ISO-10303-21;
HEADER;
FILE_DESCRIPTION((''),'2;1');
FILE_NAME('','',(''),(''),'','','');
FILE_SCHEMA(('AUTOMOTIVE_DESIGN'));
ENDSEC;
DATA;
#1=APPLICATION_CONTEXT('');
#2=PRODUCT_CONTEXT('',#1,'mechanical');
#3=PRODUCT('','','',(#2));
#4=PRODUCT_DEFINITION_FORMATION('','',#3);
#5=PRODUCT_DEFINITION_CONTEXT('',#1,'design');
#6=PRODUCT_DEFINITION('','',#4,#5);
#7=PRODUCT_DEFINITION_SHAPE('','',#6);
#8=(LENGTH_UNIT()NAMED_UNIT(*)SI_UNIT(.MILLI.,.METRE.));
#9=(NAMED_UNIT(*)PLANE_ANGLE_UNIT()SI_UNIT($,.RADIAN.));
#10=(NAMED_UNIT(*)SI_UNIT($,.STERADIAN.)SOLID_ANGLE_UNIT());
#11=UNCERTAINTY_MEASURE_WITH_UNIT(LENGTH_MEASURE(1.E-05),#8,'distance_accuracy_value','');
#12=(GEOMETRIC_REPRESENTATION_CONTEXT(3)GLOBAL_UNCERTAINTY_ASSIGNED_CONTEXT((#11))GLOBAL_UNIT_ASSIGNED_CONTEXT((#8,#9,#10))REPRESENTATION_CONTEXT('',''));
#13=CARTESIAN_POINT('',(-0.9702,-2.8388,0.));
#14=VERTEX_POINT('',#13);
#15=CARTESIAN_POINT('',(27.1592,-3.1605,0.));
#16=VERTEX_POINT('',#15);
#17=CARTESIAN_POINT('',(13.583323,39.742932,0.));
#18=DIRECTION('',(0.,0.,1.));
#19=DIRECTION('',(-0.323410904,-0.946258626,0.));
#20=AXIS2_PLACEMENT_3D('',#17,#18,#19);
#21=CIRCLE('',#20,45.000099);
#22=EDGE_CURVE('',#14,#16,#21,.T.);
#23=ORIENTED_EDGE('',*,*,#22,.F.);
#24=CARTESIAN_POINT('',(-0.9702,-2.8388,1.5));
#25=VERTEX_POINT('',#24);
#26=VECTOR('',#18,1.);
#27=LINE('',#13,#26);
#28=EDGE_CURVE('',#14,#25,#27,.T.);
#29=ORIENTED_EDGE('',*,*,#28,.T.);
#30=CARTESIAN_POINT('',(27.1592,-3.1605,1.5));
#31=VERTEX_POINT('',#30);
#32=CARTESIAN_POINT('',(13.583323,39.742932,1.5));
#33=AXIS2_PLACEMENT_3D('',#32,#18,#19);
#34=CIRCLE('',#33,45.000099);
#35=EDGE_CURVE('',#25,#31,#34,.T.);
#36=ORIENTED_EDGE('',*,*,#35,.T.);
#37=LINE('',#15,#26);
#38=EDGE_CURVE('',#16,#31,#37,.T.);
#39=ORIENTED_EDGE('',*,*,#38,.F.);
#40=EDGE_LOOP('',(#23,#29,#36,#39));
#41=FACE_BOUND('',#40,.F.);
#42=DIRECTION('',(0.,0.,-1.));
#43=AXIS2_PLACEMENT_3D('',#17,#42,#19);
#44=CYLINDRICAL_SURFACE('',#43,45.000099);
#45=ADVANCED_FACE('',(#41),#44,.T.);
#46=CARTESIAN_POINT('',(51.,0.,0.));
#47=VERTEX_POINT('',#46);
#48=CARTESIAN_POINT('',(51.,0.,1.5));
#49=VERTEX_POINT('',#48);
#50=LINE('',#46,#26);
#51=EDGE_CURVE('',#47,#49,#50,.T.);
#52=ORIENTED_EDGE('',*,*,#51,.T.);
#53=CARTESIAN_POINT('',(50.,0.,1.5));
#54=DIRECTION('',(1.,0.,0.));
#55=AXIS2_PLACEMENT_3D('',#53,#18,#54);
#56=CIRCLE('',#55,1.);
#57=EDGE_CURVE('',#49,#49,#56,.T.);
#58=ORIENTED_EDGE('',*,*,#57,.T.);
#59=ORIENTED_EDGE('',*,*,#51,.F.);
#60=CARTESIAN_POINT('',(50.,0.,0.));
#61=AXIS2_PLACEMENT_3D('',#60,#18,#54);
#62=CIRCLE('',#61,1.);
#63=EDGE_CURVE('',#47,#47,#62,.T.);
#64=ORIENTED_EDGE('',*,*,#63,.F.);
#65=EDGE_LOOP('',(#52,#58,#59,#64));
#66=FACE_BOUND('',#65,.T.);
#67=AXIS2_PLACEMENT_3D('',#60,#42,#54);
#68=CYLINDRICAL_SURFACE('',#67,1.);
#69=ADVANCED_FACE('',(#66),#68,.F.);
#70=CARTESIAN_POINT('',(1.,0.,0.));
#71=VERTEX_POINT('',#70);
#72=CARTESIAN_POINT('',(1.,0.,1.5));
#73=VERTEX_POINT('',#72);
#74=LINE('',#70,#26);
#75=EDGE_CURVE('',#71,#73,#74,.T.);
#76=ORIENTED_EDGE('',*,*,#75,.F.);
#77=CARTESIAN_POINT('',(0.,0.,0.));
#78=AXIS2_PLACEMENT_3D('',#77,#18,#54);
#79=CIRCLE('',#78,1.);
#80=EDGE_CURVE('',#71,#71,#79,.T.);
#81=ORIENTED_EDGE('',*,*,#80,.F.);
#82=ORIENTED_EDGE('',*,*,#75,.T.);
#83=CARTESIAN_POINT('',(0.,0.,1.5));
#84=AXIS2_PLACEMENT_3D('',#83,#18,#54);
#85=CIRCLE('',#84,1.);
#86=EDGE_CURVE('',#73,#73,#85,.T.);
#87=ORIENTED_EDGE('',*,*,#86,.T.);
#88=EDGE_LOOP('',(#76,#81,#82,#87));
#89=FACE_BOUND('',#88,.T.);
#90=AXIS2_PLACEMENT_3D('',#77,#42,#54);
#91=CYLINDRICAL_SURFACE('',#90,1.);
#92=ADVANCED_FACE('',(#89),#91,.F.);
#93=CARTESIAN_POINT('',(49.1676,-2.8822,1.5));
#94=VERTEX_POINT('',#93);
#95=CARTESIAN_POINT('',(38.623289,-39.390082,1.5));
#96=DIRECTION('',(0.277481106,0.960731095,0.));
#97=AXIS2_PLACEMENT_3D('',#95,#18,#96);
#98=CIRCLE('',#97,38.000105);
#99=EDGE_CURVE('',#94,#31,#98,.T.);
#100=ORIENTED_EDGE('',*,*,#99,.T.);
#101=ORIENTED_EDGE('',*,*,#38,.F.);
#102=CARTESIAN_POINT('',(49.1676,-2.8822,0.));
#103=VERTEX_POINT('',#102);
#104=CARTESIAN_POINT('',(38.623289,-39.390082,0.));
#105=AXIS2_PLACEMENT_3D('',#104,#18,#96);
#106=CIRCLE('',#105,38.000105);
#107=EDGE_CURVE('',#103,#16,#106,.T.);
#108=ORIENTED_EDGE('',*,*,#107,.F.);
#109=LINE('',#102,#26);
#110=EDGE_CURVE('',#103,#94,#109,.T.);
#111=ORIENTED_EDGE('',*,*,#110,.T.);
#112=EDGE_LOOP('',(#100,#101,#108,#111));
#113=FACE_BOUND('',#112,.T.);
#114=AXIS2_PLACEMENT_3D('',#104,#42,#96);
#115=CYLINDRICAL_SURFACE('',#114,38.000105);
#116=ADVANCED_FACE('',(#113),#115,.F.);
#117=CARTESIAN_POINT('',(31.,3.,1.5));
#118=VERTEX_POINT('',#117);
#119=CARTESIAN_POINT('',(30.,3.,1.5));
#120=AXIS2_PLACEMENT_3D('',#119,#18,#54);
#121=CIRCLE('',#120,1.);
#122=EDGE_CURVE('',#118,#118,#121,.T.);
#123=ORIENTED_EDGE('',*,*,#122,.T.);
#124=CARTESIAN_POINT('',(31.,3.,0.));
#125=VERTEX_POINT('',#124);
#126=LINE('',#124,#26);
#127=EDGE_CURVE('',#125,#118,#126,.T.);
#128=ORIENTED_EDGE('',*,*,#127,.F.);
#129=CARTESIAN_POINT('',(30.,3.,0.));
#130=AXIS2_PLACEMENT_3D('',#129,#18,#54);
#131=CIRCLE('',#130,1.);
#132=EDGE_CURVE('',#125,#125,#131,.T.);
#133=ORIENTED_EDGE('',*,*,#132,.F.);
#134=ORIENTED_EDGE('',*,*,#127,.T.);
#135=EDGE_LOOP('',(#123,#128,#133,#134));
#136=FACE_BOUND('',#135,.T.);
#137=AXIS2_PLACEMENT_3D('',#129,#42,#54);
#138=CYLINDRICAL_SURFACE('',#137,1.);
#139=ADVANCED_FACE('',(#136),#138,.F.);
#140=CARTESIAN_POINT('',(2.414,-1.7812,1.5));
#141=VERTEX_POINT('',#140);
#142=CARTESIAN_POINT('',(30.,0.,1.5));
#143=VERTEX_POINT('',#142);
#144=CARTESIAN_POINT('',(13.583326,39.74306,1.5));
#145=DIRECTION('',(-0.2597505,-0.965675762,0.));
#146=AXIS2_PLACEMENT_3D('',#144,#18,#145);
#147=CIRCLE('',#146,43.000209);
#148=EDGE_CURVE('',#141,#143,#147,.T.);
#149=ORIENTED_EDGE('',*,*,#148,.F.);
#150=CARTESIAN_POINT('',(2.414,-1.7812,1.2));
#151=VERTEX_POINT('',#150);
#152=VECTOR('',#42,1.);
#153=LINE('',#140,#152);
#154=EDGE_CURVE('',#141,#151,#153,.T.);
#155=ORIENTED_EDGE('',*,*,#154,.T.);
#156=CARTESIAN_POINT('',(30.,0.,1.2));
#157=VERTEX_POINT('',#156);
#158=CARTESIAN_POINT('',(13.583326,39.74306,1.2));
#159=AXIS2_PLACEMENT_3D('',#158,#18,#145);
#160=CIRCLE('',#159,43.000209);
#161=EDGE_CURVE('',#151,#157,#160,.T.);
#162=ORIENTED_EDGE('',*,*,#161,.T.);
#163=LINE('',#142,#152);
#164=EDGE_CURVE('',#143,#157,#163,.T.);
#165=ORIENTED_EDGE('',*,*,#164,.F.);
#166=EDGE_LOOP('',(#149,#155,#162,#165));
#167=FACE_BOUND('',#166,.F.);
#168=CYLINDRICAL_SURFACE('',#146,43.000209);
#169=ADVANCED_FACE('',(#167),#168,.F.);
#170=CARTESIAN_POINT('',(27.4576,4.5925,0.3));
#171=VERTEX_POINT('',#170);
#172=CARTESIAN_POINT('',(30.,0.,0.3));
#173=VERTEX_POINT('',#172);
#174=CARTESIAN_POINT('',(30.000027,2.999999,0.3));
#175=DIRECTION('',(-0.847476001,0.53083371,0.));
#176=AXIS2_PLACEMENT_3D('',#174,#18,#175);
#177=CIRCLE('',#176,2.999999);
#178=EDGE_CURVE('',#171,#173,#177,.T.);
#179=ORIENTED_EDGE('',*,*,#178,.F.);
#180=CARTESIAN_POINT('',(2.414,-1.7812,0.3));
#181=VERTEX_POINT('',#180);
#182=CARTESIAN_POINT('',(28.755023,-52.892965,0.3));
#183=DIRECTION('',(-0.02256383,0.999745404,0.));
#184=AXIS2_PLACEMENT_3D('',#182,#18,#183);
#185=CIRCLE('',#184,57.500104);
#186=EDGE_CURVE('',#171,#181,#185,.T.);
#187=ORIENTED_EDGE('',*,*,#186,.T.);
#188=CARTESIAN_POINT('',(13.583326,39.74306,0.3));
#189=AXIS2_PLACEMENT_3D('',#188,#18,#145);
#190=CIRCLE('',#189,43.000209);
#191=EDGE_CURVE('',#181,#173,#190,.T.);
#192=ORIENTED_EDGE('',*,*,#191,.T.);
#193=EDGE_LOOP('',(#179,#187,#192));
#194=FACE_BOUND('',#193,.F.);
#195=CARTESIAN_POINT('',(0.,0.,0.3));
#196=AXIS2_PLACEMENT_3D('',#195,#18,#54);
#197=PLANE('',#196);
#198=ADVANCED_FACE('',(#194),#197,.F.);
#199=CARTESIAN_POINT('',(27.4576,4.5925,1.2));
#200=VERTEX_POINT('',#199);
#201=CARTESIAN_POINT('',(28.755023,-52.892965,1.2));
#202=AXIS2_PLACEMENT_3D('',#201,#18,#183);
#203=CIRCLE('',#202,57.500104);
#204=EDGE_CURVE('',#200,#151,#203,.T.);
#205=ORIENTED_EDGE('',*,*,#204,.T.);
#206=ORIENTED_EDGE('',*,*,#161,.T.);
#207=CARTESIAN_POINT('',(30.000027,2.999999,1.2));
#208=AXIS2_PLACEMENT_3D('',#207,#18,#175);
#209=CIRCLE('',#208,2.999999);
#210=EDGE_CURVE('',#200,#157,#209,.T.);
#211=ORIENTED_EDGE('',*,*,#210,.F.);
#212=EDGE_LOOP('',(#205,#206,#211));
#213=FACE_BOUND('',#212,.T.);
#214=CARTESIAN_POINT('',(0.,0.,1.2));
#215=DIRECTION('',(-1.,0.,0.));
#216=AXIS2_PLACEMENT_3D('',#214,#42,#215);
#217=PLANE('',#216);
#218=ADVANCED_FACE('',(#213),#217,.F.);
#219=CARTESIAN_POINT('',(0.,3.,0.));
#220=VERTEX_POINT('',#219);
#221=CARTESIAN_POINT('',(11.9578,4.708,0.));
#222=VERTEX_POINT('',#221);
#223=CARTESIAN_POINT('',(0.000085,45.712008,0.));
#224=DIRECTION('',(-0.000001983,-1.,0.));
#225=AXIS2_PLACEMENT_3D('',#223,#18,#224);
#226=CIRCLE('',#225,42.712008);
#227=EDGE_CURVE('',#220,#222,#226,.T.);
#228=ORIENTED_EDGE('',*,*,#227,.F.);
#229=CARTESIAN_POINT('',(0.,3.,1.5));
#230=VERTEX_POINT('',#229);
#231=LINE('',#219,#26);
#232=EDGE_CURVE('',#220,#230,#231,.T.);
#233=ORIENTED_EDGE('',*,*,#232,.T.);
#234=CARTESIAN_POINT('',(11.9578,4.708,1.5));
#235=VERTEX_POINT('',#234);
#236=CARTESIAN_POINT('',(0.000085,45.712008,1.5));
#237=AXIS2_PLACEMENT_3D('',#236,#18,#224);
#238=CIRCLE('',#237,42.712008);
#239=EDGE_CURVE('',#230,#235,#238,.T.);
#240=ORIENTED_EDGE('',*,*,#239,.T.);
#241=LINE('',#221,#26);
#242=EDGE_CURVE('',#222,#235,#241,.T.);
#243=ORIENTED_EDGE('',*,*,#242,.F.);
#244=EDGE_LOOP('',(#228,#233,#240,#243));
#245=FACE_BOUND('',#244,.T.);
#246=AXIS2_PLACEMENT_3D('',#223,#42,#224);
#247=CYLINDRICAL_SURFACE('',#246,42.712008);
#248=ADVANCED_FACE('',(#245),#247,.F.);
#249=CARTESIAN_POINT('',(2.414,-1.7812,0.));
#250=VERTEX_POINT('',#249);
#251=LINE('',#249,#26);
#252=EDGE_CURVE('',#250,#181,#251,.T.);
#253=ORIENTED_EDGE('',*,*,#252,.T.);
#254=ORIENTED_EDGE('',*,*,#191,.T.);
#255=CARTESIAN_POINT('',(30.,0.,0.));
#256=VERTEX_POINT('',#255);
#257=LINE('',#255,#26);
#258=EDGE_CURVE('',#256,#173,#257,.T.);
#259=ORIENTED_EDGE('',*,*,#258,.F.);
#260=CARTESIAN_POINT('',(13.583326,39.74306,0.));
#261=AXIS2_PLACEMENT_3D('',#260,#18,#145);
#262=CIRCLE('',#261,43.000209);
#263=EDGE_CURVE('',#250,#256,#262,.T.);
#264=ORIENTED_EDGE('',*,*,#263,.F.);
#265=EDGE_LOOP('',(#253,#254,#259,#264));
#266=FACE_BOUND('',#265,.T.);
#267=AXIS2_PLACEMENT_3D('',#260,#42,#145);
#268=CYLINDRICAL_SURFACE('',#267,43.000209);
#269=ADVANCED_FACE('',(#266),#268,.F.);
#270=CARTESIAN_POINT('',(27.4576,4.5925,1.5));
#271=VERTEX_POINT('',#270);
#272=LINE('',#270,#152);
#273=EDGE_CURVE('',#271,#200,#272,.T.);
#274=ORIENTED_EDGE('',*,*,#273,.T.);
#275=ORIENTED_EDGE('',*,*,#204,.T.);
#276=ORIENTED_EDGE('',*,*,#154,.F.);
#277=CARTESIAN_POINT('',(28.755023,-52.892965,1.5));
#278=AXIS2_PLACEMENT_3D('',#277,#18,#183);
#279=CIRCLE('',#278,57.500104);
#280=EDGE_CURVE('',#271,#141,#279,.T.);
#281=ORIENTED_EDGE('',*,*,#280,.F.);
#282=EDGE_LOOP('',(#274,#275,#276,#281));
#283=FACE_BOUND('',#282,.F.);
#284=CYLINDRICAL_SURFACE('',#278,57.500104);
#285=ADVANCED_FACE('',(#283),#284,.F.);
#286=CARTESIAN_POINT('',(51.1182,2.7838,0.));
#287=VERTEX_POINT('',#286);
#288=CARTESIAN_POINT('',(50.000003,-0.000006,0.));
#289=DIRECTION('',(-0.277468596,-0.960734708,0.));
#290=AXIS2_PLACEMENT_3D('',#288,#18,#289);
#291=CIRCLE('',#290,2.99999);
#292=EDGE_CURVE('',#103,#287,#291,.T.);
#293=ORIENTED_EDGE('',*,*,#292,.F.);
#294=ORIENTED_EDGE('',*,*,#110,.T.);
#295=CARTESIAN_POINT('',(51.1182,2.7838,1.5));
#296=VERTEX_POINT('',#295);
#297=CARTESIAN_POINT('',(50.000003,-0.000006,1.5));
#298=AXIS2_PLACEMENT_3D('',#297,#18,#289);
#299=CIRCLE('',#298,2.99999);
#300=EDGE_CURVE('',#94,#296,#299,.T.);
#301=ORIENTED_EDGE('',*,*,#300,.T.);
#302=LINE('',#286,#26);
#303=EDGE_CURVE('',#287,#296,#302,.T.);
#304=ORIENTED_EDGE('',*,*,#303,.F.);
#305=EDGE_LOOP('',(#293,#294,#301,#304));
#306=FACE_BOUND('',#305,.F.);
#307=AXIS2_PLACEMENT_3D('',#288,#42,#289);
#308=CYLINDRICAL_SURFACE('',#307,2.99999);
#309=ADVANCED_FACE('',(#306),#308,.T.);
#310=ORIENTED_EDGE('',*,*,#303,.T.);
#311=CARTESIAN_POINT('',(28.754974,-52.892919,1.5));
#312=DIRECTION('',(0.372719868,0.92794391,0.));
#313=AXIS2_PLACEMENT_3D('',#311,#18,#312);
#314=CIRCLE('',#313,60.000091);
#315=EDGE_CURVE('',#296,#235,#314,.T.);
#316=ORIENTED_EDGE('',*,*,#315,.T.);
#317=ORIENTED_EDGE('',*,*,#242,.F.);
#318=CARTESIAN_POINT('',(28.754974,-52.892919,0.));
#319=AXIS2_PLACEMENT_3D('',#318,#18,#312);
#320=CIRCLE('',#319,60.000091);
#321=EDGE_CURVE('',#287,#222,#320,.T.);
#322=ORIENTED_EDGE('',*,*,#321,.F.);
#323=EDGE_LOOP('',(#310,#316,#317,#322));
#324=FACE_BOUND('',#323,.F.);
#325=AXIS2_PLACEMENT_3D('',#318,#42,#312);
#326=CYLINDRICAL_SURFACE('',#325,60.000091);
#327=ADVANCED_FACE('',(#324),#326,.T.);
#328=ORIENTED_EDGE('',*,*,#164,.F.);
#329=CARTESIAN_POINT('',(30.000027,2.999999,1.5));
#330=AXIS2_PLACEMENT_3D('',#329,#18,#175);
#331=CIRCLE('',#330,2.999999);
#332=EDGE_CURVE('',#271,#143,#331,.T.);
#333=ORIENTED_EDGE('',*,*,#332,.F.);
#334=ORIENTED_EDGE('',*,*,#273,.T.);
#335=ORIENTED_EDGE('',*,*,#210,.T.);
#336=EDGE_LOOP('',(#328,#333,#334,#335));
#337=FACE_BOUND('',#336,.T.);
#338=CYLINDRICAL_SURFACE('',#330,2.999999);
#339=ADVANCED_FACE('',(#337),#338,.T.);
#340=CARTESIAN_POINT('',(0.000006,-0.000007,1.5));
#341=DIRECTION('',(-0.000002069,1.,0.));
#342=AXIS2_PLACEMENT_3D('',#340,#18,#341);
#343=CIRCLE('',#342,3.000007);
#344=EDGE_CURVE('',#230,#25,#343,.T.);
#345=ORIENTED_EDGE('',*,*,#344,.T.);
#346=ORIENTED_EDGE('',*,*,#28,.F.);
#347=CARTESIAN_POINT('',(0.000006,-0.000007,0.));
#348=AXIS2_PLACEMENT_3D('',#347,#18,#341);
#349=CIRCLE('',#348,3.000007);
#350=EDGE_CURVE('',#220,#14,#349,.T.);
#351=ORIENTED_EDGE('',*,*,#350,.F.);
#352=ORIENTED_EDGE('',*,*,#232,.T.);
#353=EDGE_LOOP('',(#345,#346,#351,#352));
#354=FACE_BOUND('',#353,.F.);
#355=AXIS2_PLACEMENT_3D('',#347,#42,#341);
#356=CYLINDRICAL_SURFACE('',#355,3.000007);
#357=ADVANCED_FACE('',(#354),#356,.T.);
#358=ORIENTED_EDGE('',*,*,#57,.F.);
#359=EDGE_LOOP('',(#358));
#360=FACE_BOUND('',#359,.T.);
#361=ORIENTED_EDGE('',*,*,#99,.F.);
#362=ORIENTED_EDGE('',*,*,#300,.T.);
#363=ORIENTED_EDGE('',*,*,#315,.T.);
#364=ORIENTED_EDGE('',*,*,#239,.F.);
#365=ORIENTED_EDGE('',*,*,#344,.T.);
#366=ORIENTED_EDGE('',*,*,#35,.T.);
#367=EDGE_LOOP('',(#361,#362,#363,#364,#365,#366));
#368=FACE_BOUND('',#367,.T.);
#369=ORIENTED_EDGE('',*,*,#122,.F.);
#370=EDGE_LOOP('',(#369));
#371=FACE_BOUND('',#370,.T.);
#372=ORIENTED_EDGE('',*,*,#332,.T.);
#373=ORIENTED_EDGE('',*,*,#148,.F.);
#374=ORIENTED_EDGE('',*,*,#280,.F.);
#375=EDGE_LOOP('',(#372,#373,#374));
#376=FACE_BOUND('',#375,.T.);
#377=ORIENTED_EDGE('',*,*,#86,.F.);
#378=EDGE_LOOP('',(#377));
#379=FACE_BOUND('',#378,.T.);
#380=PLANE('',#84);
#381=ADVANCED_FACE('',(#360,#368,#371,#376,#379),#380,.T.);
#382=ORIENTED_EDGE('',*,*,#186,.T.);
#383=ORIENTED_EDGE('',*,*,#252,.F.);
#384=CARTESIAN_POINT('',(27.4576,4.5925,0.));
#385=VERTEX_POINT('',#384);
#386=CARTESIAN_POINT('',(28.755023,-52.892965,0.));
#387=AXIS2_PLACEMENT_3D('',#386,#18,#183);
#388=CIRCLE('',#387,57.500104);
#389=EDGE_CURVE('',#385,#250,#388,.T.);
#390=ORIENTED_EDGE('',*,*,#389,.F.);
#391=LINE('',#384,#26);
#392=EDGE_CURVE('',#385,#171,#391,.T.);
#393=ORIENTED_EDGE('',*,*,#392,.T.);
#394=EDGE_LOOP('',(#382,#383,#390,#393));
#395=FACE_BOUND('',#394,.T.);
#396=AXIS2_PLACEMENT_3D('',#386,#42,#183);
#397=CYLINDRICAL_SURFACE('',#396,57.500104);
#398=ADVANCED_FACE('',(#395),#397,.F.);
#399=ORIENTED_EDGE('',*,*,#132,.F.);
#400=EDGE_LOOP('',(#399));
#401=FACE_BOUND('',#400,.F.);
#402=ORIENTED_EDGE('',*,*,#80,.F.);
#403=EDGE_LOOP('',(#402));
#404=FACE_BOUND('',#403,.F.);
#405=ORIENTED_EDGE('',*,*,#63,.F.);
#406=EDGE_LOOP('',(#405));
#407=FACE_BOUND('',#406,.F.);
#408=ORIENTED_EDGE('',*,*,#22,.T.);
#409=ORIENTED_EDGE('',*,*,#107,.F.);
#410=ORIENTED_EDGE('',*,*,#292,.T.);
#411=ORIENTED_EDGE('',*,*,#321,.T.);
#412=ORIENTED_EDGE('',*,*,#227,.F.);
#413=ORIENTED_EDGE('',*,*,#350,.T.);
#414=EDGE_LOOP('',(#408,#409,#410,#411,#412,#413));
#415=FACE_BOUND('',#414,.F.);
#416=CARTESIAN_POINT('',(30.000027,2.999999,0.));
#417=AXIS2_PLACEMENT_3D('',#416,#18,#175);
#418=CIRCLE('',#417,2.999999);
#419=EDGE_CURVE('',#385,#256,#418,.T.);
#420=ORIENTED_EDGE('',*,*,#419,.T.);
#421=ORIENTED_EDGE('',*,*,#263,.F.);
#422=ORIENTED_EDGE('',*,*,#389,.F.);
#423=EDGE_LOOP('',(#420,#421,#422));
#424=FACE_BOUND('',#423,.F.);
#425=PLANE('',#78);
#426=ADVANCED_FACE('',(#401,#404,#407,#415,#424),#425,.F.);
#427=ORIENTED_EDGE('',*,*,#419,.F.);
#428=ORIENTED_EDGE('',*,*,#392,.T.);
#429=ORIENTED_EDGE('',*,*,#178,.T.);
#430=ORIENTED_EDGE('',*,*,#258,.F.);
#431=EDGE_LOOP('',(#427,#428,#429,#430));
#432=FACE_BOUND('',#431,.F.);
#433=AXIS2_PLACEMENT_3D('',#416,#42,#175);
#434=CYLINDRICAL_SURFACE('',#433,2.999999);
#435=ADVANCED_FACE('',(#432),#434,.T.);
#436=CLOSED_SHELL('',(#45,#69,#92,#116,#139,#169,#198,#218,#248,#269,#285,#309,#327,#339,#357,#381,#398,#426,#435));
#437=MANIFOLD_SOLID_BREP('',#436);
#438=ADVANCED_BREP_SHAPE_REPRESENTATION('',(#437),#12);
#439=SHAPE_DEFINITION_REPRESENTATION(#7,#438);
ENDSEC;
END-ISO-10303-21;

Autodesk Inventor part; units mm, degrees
ref_plane "YZ Plane" through (0, 0, 0) normal (1, 0, 0) x (0, 1, 0)
ref_plane "XZ Plane" through (0, 0, 0) normal (0, 1, 0) x (-1, 0, 0)
sketch "Sketch1" plane through (0, 0, 0) normal (0, 0, 1) x (1, 0, 0)
  circle A0 centre (0, 0) radius 1
  circle A1 centre (50, 0) radius 1
  circle A2 centre (30, 3) radius 1
  circle A3 centre (0, 0) radius 3 construction
  circle A4 centre (50, 0) radius 3 construction
  circle A5 centre (30, 3) radius 3 construction
  arc A6 (0, 3) -> (-0.9702, -2.8388) centre (0, 0) ccw
  arc A7 (-0.9702, -2.8388) -> (27.1592, -3.1605) centre (13.5833, 39.7428) ccw
  arc A8 (51.1182, 2.7838) -> (11.9578, 4.708) centre (28.755, -52.8928) ccw
  arc A9 (0, 3) -> (11.9578, 4.708) centre (0, 45.7132) ccw
  arc A10 (49.1676, -2.8822) -> (27.1592, -3.1605) centre (38.6233, -39.39) ccw
  arc A11 (49.1676, -2.8822) -> (51.1182, 2.7838) centre (50, 0) ccw
  arc A12 (27.4576, 4.5925) -> (2.414, -1.7812) centre (28.755, -52.8928) ccw
  arc A13 (2.414, -1.7812) -> (30, 0) centre (13.5833, 39.7428) ccw
  arc A14 (27.4576, 4.5925) -> (30, 0) centre (30, 3) ccw
  dimension "d6" = 6
  dimension "d0" = 2
  dimension "d1" = 2
  dimension "d2" = 2
  dimension "d3" = 50
  dimension "d4" = 3
  dimension "d5" = 30
  dimension "d7" = 6
  dimension "d8" = 6
  dimension "d35" = 3
  dimension "d58" = 3
  dimension "d63" = 2
  dimension "d64" = 2.5
  dimension "d65" = 45
  dimension "d66" = 38
  dimension "d67" = 60
extrude "Extrusion2" add sketch "Sketch1" along normal blind 1.5 contours A9 A8 A11 A10 A7 A6 | A14 A13 A12
extrude "Extrusion3" cut sketch "Sketch1" along normal blind 0.3 contours A14 A13 A12
ref_plane "Work Plane1" through (0, 0, 0.75) normal (0, 0, 1) x (1, 0, 0)
mirror "Mirror1" about plane through (0, 0, 0.75) normal (0, 0, 1) of "Extrusion3"
properties part number "legB_mini"
